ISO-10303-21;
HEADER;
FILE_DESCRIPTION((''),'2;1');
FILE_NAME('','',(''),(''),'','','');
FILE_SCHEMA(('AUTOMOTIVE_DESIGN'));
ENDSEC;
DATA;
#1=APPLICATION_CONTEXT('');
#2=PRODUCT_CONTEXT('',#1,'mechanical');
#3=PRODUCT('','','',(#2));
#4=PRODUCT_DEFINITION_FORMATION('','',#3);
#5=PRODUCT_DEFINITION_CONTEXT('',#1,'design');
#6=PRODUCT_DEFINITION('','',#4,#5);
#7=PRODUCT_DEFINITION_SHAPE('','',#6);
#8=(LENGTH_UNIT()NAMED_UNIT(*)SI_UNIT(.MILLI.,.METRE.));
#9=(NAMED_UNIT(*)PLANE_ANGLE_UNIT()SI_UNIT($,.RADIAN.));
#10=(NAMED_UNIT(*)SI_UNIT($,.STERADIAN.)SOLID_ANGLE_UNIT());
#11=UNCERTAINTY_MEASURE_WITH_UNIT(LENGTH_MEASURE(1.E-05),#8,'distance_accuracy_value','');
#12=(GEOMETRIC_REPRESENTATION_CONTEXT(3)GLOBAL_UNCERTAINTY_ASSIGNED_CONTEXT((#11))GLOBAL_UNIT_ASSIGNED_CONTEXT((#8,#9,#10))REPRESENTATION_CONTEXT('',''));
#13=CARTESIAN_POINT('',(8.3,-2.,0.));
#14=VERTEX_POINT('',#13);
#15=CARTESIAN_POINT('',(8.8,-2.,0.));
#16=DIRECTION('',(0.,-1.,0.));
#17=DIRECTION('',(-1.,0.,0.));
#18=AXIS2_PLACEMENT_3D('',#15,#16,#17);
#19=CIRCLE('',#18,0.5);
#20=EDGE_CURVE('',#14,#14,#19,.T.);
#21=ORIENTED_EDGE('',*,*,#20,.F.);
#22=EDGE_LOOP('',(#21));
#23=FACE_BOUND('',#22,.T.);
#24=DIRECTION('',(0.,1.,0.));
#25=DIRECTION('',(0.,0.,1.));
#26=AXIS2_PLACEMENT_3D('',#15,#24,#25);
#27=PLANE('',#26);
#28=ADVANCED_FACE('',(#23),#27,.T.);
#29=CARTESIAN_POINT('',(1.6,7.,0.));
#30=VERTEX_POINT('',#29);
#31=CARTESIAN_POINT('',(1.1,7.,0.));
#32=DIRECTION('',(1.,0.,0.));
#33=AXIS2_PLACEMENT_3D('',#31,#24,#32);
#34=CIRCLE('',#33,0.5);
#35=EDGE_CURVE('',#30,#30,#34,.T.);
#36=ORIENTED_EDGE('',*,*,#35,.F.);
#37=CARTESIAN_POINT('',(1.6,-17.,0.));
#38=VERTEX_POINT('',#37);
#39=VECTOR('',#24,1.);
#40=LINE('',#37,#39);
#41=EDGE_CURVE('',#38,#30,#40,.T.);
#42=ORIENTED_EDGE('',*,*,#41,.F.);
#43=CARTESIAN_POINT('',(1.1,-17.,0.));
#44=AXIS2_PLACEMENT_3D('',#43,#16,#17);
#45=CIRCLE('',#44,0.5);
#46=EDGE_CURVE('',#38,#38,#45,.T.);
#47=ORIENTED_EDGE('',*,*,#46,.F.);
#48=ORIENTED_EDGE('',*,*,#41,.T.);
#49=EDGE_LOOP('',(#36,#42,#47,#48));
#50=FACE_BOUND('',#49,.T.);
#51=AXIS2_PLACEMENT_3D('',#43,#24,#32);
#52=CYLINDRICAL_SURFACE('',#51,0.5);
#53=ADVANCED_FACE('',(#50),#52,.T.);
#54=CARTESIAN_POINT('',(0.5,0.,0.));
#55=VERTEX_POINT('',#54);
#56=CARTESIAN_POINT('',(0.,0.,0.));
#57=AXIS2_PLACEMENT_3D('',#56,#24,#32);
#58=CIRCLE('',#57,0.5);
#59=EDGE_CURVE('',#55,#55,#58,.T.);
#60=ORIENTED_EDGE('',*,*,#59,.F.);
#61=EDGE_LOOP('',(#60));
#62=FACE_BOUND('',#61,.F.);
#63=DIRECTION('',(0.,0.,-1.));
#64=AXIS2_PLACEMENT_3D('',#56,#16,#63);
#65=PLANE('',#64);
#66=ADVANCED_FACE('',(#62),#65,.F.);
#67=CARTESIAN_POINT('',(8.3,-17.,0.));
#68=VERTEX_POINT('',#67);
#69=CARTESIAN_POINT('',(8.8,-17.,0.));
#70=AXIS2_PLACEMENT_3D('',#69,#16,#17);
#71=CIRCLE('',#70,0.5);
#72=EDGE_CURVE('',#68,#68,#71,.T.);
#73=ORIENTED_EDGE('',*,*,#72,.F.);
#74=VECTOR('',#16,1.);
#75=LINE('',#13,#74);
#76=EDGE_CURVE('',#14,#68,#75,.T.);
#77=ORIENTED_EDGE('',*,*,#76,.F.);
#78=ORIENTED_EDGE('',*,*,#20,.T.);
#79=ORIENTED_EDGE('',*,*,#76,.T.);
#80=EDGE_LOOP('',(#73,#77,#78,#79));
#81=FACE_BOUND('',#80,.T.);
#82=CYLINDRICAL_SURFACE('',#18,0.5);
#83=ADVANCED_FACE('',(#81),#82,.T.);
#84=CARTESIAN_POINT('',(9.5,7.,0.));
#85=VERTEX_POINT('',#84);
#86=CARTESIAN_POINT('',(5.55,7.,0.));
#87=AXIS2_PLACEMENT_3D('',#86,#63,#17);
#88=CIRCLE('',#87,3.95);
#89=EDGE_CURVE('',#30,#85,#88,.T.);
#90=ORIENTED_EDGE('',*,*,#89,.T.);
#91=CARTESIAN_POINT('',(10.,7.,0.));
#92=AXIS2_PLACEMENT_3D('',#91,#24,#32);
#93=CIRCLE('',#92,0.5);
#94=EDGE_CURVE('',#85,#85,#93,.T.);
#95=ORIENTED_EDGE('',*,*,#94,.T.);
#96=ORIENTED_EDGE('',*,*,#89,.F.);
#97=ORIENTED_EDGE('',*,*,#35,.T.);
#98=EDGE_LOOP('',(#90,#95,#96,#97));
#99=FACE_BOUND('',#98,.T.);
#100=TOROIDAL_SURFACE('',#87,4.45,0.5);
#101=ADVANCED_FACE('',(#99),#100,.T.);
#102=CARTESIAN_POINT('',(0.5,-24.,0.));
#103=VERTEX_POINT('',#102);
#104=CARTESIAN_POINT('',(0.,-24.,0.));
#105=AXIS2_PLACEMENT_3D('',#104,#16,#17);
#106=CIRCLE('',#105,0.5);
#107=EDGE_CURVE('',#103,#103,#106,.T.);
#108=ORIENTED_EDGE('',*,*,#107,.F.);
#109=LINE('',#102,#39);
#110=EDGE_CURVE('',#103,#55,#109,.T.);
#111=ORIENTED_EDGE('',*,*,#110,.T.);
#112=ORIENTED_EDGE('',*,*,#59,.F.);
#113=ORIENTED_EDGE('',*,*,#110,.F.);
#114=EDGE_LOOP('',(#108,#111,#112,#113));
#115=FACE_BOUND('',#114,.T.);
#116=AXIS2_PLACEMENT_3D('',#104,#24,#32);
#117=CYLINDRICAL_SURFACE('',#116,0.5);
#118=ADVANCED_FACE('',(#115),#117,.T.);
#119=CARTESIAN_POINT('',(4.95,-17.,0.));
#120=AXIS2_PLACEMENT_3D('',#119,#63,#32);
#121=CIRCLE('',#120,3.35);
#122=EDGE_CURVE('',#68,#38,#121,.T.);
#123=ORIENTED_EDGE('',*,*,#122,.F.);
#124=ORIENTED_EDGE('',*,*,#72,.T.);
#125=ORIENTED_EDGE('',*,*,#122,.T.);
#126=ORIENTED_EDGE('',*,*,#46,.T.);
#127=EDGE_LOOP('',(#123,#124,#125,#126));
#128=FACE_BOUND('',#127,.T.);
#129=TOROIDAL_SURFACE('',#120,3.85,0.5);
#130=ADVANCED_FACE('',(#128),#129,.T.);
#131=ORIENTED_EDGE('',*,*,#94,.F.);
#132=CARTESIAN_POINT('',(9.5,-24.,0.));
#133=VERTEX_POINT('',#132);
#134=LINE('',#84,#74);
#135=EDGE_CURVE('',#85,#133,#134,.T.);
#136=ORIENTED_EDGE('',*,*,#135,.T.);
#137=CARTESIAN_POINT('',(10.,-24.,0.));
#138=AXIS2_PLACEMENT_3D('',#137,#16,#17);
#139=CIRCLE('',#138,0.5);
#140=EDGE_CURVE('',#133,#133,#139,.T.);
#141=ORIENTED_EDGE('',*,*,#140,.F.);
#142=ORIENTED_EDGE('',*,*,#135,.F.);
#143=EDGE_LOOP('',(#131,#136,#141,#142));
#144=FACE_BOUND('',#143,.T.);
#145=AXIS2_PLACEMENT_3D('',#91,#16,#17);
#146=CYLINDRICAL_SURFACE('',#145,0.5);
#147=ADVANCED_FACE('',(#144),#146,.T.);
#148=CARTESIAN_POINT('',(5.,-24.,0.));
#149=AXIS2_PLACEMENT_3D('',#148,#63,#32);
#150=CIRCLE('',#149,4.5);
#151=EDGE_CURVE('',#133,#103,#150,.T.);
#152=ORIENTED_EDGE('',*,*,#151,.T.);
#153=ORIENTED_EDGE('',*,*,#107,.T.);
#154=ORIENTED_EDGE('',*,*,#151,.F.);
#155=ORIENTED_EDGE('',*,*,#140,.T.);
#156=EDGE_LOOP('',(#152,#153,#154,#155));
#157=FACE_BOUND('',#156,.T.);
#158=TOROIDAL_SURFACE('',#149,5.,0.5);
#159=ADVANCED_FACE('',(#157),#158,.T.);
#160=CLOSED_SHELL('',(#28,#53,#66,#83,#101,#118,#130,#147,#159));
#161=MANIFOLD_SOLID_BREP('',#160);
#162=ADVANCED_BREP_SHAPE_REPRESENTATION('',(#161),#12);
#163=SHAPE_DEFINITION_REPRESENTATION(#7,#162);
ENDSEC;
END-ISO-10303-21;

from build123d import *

# Parameters (mm, degrees)
F1_R = 0.5


with BuildPart() as f2:
    # F2: sweep along a path in F0
    with BuildLine(Plane.XY) as f2_path:
        Line((8.8, -2), (8.8, -17))
        ThreePointArc((8.8, -17), (4.95, -20.85), (1.1, -17))
        Line((1.1, -17), (1.1, 7))
        ThreePointArc((1.1, 7), (5.55, 11.45), (10, 7))
        Line((10, 7), (10, -24))
        ThreePointArc((10, -24), (5, -29), (0, -24))
        Line((0, -24), (0, 0))
    # F1 (on Front) → F2 (sweep)
    with BuildSketch(Plane.XZ):
        Circle(F1_R)
    sweep(path=f2_path.line)


solid = f2.part
